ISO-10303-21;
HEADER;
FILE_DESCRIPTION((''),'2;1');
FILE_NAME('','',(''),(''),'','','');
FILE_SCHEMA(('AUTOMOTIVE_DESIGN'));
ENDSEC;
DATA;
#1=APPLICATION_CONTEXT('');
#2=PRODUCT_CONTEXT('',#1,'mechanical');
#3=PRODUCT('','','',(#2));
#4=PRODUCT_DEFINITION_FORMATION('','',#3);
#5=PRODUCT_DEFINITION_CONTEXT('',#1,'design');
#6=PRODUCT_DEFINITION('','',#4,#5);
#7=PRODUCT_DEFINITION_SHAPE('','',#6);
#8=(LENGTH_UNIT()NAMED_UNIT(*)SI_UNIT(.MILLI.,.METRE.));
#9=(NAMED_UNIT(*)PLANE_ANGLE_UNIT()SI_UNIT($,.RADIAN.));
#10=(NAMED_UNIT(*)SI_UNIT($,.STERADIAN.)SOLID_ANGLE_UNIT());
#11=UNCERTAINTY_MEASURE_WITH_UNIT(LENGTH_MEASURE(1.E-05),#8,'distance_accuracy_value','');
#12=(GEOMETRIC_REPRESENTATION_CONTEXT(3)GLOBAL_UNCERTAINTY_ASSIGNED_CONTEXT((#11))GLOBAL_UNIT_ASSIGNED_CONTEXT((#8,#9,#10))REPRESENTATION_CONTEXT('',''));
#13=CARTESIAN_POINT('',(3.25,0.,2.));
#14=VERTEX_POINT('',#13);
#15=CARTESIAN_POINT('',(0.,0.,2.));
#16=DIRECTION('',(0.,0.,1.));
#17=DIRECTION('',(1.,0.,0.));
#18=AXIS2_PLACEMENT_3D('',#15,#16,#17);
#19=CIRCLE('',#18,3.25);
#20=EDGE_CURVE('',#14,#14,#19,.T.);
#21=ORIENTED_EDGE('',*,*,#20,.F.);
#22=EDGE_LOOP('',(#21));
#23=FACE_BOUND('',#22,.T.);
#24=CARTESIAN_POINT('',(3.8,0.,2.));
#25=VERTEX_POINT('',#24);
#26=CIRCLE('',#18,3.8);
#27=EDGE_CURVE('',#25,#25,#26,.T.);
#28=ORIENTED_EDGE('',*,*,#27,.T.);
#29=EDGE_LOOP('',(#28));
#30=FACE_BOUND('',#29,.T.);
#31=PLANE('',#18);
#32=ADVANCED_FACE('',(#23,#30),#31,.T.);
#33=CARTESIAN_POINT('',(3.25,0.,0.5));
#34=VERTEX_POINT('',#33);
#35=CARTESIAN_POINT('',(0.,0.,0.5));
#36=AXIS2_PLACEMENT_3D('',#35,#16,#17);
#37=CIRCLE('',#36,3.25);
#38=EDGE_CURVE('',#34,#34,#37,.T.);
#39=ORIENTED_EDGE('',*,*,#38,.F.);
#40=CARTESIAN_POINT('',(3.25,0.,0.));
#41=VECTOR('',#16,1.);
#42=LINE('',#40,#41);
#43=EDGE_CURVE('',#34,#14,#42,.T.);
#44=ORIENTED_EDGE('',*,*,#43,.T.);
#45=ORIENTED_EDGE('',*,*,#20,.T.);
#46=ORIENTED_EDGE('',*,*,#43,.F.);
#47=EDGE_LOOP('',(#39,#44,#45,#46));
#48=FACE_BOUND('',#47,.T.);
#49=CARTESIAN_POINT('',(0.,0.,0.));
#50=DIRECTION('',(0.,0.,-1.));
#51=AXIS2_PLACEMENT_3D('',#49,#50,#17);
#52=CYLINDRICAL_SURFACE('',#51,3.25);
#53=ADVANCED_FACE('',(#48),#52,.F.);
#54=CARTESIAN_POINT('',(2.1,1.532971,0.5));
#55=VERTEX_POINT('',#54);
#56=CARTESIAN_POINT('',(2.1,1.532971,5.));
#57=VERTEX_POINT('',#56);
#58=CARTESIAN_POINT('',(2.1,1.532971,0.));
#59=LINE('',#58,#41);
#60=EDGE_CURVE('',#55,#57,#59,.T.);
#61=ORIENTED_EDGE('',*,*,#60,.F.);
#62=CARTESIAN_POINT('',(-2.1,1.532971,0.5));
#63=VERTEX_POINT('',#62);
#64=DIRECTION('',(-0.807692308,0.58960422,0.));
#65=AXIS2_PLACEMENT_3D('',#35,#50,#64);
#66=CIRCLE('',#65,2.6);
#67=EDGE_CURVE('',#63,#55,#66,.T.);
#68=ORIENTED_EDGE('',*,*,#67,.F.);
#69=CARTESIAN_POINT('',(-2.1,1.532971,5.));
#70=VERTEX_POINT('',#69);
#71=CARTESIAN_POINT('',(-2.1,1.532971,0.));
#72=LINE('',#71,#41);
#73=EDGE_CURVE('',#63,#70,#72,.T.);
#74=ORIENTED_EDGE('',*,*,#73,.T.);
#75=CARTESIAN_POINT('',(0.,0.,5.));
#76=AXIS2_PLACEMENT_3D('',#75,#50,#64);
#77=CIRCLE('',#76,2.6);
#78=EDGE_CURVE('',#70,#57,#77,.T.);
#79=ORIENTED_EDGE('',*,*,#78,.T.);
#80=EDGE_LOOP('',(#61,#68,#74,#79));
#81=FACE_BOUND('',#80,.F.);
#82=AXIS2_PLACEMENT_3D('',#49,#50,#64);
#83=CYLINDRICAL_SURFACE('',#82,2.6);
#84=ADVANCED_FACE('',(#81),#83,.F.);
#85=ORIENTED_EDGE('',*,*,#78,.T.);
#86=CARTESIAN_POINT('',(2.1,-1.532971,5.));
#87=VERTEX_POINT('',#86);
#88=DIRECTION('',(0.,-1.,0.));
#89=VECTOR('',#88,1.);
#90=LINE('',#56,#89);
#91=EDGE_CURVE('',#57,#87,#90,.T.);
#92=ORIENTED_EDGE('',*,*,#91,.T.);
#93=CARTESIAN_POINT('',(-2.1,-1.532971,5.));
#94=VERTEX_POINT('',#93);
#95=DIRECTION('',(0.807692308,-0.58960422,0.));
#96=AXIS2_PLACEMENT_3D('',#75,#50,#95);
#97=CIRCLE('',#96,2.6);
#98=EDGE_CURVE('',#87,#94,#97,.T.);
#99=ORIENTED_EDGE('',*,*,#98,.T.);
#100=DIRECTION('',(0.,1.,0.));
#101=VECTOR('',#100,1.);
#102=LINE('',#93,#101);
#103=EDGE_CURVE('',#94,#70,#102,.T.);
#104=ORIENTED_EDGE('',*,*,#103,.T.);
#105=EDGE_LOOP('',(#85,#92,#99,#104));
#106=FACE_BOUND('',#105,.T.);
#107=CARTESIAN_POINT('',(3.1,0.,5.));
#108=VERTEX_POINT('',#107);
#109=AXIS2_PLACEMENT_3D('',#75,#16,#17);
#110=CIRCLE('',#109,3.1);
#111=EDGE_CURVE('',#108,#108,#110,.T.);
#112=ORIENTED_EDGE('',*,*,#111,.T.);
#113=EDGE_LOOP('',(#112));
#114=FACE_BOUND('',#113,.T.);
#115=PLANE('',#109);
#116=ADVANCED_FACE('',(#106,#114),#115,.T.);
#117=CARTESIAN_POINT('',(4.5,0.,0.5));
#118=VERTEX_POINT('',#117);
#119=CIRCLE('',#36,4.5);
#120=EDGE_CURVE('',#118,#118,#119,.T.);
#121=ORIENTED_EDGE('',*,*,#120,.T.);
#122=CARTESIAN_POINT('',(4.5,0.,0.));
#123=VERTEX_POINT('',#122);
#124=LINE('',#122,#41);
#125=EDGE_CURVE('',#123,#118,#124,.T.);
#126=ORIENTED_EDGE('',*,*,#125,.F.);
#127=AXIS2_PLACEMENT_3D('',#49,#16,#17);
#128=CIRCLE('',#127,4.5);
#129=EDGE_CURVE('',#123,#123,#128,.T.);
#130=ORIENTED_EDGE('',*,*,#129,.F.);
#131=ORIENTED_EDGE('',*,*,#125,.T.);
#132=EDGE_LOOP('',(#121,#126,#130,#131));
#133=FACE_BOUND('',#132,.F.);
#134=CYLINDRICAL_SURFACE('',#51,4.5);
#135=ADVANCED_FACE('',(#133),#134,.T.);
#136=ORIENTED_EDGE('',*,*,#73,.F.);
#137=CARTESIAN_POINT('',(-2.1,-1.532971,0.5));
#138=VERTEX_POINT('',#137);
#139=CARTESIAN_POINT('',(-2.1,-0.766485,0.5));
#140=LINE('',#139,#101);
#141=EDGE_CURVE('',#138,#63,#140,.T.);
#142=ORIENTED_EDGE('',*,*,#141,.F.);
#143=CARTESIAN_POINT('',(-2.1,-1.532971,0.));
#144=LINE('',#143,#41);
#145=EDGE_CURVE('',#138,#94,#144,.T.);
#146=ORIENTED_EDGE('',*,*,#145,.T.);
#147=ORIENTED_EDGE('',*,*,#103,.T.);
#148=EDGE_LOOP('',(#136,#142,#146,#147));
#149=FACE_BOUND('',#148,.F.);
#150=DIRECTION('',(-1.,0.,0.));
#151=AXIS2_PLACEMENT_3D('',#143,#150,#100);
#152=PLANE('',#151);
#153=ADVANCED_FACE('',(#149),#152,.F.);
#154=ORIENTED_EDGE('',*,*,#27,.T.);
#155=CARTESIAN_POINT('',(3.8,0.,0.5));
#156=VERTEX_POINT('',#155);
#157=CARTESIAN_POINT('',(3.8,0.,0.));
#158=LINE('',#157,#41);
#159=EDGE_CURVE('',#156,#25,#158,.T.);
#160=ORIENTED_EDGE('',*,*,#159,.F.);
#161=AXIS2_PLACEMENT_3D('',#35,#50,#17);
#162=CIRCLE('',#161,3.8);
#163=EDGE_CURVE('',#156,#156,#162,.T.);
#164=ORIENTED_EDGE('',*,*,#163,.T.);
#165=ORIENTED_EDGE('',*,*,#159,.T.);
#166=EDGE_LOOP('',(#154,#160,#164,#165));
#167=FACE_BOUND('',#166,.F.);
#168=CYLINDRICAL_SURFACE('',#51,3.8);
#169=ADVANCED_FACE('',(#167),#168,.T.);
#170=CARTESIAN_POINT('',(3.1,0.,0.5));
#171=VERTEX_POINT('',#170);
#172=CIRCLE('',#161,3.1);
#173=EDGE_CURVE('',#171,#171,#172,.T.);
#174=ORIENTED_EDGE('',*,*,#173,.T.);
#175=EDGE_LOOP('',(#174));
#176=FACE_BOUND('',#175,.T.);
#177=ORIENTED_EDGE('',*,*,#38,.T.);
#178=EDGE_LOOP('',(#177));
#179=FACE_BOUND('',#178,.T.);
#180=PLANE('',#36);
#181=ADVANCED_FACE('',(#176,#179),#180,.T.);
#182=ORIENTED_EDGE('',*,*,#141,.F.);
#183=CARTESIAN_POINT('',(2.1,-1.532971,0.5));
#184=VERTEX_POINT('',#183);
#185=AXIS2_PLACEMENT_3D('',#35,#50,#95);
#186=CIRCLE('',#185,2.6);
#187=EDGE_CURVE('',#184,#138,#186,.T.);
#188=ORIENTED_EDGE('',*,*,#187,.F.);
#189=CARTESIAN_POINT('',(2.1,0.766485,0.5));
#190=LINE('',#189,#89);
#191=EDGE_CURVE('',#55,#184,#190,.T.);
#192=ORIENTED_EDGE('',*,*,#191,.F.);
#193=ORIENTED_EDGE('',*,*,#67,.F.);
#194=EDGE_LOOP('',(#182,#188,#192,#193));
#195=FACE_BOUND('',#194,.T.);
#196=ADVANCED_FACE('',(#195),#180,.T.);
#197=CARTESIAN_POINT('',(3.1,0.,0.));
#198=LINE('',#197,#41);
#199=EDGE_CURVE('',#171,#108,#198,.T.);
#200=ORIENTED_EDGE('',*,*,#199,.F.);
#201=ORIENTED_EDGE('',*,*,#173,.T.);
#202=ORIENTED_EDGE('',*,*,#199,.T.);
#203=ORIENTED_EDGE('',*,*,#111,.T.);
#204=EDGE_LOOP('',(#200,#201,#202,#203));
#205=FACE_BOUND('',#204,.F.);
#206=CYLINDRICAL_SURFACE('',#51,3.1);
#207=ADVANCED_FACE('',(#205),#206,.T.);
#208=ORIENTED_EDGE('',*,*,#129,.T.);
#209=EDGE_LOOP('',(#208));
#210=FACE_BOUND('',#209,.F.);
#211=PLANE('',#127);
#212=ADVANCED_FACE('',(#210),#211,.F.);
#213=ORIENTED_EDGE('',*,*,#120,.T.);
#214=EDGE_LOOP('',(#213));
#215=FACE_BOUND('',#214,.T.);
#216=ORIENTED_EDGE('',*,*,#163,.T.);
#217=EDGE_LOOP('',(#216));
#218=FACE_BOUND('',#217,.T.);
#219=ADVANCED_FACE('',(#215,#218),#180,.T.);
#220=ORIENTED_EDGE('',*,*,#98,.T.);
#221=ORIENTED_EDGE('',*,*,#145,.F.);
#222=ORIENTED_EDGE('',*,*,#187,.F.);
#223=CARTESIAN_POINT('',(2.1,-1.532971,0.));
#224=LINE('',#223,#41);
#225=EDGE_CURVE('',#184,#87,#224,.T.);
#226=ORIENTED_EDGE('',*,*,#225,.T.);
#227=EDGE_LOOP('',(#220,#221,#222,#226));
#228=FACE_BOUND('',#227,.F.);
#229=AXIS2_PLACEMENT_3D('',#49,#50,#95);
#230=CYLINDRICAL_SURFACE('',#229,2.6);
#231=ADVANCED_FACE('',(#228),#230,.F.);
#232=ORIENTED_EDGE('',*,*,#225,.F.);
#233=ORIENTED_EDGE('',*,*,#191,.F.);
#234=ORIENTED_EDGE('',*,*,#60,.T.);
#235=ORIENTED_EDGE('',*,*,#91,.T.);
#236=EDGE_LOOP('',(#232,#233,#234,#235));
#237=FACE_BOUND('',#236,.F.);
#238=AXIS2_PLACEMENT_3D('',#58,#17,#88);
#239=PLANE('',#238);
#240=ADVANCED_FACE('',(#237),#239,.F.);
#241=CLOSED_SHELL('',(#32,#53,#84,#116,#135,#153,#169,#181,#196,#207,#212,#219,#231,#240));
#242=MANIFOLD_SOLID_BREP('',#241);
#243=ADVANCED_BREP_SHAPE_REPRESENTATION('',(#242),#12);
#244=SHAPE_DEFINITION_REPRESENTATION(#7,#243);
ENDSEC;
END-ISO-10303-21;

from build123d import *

# Parameters (mm, degrees)
F0_R     = 4.5
F0_R_2   = 3.8
F0_R_3   = 3.25
F1_DEPTH = 0.5
F2_DEPTH = 2
F3_R     = 3.1
F4_DEPTH = 5
F5_DEPTH = 0.5


with BuildPart() as f1:
    # F0 (on Top) → F1 (new body)
    with BuildSketch(Plane.XY):
        Circle(F0_R)
        Circle(F0_R_2, mode=Mode.SUBTRACT)
        Circle(F0_R_2)
        Circle(F0_R_3, mode=Mode.SUBTRACT)
    extrude(amount=F1_DEPTH)

    # F0 (on Top) → F2 (join)
    with BuildSketch(Plane.XY):
        Circle(F0_R_2)
        Circle(F0_R_3, mode=Mode.SUBTRACT)
    extrude(amount=F2_DEPTH)



with BuildPart() as f4:
    # F3 (on face) → F4 (new body)
    with BuildSketch(Plane.XY):
        Circle(F3_R)
        with BuildLine():
            ThreePointArc((2.1, 1.5329709717), (2.4718414189, 0.8062257748), (2.6, 0))
            ThreePointArc((2.6, 0), (2.4718414189, -0.8062257748), (2.1, -1.5329709717))
            ThreePointArc((2.1, -1.5329709717), (0, -2.6), (-2.1, -1.5329709717))
            ThreePointArc((-2.1, -1.5329709717), (-2.6, 0), (-2.1, 1.5329709717))
            ThreePointArc((-2.1, 1.5329709717), (0, 2.6), (2.1, 1.5329709717))
        make_face(mode=Mode.SUBTRACT)
        with BuildLine():
            ThreePointArc((2.1, -1.5329709717), (2.4718414189, -0.8062257748), (2.6, 0))
            ThreePointArc((2.6, 0), (2.4718414189, 0.8062257748), (2.1, 1.5329709717))
            Line((2.1, 1.5329709717), (2.1, -1.5329709717))
        make_face()
        with BuildLine():
            Line((-2.1, -1.5329709717), (-2.1, 1.5329709717))
            ThreePointArc((-2.1, 1.5329709717), (-2.6, 0), (-2.1, -1.5329709717))
        make_face()
    extrude(amount=F4_DEPTH)


with BuildPart() as f1_1:
    add(f1.part)

    add(f4.part)  # F5 merges F4
    # F0 (on Top) → F5 (join)
    with BuildSketch(Plane.XY):
        Circle(F0_R_3)
    extrude(amount=F5_DEPTH)


solid = f1_1.part
